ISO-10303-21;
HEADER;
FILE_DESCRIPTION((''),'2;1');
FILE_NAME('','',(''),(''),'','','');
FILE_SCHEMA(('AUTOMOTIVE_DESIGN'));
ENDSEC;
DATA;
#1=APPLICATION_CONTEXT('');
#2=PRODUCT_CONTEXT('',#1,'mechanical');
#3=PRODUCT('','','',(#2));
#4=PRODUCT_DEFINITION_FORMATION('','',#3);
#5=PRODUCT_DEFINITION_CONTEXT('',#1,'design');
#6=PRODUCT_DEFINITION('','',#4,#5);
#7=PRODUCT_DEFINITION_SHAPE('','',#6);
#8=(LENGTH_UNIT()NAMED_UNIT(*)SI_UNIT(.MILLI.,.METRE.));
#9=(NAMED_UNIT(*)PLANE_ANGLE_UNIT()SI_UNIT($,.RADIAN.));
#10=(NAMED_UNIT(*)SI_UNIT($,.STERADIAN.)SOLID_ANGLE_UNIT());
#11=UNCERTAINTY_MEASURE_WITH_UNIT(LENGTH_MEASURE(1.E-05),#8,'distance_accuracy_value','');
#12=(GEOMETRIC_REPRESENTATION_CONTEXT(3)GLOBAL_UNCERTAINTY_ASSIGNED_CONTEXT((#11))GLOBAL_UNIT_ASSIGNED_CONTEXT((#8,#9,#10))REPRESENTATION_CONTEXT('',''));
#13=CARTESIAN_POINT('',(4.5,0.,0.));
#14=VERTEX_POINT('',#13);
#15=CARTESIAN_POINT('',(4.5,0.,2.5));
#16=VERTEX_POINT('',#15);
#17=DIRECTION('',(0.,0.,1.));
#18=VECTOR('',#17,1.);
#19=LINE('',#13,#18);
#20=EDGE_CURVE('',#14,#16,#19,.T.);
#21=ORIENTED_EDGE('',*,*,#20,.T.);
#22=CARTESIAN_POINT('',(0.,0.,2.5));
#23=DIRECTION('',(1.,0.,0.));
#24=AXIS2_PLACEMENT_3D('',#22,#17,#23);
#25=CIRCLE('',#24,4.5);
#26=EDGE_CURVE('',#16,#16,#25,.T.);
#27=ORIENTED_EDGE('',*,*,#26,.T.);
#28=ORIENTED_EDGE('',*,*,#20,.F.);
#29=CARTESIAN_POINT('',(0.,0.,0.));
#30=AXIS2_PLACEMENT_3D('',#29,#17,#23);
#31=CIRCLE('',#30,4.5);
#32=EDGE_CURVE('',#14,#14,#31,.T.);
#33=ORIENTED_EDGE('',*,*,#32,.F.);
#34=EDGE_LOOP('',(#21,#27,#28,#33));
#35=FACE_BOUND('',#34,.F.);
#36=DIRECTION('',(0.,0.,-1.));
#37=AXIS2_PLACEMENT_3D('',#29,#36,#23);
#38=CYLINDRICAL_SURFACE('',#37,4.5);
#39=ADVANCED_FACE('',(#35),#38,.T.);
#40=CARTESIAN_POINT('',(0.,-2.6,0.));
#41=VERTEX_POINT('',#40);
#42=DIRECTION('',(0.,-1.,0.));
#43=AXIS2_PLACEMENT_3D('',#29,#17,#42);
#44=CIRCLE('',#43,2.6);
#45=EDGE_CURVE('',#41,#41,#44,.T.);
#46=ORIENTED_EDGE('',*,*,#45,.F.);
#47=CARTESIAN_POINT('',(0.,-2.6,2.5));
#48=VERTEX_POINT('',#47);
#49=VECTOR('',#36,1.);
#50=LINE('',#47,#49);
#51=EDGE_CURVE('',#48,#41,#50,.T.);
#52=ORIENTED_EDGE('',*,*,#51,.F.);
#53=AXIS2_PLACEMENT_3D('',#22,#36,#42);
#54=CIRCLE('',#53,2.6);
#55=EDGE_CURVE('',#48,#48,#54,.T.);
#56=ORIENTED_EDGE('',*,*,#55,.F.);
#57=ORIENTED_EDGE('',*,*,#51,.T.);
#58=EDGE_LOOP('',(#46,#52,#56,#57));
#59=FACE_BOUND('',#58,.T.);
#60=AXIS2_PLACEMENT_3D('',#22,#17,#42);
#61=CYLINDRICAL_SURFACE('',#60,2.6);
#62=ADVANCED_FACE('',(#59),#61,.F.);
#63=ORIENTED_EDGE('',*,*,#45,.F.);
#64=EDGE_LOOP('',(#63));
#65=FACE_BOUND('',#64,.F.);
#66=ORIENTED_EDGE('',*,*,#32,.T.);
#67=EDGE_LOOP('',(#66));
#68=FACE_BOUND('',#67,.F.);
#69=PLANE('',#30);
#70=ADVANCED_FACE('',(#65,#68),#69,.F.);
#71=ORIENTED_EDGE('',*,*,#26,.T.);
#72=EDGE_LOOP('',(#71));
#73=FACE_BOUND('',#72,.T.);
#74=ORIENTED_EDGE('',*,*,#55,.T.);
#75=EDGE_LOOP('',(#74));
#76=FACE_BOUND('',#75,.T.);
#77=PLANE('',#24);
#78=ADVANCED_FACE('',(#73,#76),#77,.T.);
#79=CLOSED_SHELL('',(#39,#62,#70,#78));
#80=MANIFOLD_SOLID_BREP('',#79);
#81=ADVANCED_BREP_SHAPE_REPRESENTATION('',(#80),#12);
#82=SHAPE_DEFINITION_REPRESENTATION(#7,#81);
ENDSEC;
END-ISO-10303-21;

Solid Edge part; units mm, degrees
sketch "Sketch1" plane through (0, 0, 0) normal (0, 0, 1) x (1, 0, 0)
  circle A0 centre (0, 0) radius 4.5
  dimension "D1" = 9
extrude "Protrusion1" add sketch "Sketch1" along normal blind 2.5
hole "Hole_1" at (0, 0, 2.5) direction (0, 0, -1) diameter 5.2 end up to next
properties material "Stainless Steel, 304"
